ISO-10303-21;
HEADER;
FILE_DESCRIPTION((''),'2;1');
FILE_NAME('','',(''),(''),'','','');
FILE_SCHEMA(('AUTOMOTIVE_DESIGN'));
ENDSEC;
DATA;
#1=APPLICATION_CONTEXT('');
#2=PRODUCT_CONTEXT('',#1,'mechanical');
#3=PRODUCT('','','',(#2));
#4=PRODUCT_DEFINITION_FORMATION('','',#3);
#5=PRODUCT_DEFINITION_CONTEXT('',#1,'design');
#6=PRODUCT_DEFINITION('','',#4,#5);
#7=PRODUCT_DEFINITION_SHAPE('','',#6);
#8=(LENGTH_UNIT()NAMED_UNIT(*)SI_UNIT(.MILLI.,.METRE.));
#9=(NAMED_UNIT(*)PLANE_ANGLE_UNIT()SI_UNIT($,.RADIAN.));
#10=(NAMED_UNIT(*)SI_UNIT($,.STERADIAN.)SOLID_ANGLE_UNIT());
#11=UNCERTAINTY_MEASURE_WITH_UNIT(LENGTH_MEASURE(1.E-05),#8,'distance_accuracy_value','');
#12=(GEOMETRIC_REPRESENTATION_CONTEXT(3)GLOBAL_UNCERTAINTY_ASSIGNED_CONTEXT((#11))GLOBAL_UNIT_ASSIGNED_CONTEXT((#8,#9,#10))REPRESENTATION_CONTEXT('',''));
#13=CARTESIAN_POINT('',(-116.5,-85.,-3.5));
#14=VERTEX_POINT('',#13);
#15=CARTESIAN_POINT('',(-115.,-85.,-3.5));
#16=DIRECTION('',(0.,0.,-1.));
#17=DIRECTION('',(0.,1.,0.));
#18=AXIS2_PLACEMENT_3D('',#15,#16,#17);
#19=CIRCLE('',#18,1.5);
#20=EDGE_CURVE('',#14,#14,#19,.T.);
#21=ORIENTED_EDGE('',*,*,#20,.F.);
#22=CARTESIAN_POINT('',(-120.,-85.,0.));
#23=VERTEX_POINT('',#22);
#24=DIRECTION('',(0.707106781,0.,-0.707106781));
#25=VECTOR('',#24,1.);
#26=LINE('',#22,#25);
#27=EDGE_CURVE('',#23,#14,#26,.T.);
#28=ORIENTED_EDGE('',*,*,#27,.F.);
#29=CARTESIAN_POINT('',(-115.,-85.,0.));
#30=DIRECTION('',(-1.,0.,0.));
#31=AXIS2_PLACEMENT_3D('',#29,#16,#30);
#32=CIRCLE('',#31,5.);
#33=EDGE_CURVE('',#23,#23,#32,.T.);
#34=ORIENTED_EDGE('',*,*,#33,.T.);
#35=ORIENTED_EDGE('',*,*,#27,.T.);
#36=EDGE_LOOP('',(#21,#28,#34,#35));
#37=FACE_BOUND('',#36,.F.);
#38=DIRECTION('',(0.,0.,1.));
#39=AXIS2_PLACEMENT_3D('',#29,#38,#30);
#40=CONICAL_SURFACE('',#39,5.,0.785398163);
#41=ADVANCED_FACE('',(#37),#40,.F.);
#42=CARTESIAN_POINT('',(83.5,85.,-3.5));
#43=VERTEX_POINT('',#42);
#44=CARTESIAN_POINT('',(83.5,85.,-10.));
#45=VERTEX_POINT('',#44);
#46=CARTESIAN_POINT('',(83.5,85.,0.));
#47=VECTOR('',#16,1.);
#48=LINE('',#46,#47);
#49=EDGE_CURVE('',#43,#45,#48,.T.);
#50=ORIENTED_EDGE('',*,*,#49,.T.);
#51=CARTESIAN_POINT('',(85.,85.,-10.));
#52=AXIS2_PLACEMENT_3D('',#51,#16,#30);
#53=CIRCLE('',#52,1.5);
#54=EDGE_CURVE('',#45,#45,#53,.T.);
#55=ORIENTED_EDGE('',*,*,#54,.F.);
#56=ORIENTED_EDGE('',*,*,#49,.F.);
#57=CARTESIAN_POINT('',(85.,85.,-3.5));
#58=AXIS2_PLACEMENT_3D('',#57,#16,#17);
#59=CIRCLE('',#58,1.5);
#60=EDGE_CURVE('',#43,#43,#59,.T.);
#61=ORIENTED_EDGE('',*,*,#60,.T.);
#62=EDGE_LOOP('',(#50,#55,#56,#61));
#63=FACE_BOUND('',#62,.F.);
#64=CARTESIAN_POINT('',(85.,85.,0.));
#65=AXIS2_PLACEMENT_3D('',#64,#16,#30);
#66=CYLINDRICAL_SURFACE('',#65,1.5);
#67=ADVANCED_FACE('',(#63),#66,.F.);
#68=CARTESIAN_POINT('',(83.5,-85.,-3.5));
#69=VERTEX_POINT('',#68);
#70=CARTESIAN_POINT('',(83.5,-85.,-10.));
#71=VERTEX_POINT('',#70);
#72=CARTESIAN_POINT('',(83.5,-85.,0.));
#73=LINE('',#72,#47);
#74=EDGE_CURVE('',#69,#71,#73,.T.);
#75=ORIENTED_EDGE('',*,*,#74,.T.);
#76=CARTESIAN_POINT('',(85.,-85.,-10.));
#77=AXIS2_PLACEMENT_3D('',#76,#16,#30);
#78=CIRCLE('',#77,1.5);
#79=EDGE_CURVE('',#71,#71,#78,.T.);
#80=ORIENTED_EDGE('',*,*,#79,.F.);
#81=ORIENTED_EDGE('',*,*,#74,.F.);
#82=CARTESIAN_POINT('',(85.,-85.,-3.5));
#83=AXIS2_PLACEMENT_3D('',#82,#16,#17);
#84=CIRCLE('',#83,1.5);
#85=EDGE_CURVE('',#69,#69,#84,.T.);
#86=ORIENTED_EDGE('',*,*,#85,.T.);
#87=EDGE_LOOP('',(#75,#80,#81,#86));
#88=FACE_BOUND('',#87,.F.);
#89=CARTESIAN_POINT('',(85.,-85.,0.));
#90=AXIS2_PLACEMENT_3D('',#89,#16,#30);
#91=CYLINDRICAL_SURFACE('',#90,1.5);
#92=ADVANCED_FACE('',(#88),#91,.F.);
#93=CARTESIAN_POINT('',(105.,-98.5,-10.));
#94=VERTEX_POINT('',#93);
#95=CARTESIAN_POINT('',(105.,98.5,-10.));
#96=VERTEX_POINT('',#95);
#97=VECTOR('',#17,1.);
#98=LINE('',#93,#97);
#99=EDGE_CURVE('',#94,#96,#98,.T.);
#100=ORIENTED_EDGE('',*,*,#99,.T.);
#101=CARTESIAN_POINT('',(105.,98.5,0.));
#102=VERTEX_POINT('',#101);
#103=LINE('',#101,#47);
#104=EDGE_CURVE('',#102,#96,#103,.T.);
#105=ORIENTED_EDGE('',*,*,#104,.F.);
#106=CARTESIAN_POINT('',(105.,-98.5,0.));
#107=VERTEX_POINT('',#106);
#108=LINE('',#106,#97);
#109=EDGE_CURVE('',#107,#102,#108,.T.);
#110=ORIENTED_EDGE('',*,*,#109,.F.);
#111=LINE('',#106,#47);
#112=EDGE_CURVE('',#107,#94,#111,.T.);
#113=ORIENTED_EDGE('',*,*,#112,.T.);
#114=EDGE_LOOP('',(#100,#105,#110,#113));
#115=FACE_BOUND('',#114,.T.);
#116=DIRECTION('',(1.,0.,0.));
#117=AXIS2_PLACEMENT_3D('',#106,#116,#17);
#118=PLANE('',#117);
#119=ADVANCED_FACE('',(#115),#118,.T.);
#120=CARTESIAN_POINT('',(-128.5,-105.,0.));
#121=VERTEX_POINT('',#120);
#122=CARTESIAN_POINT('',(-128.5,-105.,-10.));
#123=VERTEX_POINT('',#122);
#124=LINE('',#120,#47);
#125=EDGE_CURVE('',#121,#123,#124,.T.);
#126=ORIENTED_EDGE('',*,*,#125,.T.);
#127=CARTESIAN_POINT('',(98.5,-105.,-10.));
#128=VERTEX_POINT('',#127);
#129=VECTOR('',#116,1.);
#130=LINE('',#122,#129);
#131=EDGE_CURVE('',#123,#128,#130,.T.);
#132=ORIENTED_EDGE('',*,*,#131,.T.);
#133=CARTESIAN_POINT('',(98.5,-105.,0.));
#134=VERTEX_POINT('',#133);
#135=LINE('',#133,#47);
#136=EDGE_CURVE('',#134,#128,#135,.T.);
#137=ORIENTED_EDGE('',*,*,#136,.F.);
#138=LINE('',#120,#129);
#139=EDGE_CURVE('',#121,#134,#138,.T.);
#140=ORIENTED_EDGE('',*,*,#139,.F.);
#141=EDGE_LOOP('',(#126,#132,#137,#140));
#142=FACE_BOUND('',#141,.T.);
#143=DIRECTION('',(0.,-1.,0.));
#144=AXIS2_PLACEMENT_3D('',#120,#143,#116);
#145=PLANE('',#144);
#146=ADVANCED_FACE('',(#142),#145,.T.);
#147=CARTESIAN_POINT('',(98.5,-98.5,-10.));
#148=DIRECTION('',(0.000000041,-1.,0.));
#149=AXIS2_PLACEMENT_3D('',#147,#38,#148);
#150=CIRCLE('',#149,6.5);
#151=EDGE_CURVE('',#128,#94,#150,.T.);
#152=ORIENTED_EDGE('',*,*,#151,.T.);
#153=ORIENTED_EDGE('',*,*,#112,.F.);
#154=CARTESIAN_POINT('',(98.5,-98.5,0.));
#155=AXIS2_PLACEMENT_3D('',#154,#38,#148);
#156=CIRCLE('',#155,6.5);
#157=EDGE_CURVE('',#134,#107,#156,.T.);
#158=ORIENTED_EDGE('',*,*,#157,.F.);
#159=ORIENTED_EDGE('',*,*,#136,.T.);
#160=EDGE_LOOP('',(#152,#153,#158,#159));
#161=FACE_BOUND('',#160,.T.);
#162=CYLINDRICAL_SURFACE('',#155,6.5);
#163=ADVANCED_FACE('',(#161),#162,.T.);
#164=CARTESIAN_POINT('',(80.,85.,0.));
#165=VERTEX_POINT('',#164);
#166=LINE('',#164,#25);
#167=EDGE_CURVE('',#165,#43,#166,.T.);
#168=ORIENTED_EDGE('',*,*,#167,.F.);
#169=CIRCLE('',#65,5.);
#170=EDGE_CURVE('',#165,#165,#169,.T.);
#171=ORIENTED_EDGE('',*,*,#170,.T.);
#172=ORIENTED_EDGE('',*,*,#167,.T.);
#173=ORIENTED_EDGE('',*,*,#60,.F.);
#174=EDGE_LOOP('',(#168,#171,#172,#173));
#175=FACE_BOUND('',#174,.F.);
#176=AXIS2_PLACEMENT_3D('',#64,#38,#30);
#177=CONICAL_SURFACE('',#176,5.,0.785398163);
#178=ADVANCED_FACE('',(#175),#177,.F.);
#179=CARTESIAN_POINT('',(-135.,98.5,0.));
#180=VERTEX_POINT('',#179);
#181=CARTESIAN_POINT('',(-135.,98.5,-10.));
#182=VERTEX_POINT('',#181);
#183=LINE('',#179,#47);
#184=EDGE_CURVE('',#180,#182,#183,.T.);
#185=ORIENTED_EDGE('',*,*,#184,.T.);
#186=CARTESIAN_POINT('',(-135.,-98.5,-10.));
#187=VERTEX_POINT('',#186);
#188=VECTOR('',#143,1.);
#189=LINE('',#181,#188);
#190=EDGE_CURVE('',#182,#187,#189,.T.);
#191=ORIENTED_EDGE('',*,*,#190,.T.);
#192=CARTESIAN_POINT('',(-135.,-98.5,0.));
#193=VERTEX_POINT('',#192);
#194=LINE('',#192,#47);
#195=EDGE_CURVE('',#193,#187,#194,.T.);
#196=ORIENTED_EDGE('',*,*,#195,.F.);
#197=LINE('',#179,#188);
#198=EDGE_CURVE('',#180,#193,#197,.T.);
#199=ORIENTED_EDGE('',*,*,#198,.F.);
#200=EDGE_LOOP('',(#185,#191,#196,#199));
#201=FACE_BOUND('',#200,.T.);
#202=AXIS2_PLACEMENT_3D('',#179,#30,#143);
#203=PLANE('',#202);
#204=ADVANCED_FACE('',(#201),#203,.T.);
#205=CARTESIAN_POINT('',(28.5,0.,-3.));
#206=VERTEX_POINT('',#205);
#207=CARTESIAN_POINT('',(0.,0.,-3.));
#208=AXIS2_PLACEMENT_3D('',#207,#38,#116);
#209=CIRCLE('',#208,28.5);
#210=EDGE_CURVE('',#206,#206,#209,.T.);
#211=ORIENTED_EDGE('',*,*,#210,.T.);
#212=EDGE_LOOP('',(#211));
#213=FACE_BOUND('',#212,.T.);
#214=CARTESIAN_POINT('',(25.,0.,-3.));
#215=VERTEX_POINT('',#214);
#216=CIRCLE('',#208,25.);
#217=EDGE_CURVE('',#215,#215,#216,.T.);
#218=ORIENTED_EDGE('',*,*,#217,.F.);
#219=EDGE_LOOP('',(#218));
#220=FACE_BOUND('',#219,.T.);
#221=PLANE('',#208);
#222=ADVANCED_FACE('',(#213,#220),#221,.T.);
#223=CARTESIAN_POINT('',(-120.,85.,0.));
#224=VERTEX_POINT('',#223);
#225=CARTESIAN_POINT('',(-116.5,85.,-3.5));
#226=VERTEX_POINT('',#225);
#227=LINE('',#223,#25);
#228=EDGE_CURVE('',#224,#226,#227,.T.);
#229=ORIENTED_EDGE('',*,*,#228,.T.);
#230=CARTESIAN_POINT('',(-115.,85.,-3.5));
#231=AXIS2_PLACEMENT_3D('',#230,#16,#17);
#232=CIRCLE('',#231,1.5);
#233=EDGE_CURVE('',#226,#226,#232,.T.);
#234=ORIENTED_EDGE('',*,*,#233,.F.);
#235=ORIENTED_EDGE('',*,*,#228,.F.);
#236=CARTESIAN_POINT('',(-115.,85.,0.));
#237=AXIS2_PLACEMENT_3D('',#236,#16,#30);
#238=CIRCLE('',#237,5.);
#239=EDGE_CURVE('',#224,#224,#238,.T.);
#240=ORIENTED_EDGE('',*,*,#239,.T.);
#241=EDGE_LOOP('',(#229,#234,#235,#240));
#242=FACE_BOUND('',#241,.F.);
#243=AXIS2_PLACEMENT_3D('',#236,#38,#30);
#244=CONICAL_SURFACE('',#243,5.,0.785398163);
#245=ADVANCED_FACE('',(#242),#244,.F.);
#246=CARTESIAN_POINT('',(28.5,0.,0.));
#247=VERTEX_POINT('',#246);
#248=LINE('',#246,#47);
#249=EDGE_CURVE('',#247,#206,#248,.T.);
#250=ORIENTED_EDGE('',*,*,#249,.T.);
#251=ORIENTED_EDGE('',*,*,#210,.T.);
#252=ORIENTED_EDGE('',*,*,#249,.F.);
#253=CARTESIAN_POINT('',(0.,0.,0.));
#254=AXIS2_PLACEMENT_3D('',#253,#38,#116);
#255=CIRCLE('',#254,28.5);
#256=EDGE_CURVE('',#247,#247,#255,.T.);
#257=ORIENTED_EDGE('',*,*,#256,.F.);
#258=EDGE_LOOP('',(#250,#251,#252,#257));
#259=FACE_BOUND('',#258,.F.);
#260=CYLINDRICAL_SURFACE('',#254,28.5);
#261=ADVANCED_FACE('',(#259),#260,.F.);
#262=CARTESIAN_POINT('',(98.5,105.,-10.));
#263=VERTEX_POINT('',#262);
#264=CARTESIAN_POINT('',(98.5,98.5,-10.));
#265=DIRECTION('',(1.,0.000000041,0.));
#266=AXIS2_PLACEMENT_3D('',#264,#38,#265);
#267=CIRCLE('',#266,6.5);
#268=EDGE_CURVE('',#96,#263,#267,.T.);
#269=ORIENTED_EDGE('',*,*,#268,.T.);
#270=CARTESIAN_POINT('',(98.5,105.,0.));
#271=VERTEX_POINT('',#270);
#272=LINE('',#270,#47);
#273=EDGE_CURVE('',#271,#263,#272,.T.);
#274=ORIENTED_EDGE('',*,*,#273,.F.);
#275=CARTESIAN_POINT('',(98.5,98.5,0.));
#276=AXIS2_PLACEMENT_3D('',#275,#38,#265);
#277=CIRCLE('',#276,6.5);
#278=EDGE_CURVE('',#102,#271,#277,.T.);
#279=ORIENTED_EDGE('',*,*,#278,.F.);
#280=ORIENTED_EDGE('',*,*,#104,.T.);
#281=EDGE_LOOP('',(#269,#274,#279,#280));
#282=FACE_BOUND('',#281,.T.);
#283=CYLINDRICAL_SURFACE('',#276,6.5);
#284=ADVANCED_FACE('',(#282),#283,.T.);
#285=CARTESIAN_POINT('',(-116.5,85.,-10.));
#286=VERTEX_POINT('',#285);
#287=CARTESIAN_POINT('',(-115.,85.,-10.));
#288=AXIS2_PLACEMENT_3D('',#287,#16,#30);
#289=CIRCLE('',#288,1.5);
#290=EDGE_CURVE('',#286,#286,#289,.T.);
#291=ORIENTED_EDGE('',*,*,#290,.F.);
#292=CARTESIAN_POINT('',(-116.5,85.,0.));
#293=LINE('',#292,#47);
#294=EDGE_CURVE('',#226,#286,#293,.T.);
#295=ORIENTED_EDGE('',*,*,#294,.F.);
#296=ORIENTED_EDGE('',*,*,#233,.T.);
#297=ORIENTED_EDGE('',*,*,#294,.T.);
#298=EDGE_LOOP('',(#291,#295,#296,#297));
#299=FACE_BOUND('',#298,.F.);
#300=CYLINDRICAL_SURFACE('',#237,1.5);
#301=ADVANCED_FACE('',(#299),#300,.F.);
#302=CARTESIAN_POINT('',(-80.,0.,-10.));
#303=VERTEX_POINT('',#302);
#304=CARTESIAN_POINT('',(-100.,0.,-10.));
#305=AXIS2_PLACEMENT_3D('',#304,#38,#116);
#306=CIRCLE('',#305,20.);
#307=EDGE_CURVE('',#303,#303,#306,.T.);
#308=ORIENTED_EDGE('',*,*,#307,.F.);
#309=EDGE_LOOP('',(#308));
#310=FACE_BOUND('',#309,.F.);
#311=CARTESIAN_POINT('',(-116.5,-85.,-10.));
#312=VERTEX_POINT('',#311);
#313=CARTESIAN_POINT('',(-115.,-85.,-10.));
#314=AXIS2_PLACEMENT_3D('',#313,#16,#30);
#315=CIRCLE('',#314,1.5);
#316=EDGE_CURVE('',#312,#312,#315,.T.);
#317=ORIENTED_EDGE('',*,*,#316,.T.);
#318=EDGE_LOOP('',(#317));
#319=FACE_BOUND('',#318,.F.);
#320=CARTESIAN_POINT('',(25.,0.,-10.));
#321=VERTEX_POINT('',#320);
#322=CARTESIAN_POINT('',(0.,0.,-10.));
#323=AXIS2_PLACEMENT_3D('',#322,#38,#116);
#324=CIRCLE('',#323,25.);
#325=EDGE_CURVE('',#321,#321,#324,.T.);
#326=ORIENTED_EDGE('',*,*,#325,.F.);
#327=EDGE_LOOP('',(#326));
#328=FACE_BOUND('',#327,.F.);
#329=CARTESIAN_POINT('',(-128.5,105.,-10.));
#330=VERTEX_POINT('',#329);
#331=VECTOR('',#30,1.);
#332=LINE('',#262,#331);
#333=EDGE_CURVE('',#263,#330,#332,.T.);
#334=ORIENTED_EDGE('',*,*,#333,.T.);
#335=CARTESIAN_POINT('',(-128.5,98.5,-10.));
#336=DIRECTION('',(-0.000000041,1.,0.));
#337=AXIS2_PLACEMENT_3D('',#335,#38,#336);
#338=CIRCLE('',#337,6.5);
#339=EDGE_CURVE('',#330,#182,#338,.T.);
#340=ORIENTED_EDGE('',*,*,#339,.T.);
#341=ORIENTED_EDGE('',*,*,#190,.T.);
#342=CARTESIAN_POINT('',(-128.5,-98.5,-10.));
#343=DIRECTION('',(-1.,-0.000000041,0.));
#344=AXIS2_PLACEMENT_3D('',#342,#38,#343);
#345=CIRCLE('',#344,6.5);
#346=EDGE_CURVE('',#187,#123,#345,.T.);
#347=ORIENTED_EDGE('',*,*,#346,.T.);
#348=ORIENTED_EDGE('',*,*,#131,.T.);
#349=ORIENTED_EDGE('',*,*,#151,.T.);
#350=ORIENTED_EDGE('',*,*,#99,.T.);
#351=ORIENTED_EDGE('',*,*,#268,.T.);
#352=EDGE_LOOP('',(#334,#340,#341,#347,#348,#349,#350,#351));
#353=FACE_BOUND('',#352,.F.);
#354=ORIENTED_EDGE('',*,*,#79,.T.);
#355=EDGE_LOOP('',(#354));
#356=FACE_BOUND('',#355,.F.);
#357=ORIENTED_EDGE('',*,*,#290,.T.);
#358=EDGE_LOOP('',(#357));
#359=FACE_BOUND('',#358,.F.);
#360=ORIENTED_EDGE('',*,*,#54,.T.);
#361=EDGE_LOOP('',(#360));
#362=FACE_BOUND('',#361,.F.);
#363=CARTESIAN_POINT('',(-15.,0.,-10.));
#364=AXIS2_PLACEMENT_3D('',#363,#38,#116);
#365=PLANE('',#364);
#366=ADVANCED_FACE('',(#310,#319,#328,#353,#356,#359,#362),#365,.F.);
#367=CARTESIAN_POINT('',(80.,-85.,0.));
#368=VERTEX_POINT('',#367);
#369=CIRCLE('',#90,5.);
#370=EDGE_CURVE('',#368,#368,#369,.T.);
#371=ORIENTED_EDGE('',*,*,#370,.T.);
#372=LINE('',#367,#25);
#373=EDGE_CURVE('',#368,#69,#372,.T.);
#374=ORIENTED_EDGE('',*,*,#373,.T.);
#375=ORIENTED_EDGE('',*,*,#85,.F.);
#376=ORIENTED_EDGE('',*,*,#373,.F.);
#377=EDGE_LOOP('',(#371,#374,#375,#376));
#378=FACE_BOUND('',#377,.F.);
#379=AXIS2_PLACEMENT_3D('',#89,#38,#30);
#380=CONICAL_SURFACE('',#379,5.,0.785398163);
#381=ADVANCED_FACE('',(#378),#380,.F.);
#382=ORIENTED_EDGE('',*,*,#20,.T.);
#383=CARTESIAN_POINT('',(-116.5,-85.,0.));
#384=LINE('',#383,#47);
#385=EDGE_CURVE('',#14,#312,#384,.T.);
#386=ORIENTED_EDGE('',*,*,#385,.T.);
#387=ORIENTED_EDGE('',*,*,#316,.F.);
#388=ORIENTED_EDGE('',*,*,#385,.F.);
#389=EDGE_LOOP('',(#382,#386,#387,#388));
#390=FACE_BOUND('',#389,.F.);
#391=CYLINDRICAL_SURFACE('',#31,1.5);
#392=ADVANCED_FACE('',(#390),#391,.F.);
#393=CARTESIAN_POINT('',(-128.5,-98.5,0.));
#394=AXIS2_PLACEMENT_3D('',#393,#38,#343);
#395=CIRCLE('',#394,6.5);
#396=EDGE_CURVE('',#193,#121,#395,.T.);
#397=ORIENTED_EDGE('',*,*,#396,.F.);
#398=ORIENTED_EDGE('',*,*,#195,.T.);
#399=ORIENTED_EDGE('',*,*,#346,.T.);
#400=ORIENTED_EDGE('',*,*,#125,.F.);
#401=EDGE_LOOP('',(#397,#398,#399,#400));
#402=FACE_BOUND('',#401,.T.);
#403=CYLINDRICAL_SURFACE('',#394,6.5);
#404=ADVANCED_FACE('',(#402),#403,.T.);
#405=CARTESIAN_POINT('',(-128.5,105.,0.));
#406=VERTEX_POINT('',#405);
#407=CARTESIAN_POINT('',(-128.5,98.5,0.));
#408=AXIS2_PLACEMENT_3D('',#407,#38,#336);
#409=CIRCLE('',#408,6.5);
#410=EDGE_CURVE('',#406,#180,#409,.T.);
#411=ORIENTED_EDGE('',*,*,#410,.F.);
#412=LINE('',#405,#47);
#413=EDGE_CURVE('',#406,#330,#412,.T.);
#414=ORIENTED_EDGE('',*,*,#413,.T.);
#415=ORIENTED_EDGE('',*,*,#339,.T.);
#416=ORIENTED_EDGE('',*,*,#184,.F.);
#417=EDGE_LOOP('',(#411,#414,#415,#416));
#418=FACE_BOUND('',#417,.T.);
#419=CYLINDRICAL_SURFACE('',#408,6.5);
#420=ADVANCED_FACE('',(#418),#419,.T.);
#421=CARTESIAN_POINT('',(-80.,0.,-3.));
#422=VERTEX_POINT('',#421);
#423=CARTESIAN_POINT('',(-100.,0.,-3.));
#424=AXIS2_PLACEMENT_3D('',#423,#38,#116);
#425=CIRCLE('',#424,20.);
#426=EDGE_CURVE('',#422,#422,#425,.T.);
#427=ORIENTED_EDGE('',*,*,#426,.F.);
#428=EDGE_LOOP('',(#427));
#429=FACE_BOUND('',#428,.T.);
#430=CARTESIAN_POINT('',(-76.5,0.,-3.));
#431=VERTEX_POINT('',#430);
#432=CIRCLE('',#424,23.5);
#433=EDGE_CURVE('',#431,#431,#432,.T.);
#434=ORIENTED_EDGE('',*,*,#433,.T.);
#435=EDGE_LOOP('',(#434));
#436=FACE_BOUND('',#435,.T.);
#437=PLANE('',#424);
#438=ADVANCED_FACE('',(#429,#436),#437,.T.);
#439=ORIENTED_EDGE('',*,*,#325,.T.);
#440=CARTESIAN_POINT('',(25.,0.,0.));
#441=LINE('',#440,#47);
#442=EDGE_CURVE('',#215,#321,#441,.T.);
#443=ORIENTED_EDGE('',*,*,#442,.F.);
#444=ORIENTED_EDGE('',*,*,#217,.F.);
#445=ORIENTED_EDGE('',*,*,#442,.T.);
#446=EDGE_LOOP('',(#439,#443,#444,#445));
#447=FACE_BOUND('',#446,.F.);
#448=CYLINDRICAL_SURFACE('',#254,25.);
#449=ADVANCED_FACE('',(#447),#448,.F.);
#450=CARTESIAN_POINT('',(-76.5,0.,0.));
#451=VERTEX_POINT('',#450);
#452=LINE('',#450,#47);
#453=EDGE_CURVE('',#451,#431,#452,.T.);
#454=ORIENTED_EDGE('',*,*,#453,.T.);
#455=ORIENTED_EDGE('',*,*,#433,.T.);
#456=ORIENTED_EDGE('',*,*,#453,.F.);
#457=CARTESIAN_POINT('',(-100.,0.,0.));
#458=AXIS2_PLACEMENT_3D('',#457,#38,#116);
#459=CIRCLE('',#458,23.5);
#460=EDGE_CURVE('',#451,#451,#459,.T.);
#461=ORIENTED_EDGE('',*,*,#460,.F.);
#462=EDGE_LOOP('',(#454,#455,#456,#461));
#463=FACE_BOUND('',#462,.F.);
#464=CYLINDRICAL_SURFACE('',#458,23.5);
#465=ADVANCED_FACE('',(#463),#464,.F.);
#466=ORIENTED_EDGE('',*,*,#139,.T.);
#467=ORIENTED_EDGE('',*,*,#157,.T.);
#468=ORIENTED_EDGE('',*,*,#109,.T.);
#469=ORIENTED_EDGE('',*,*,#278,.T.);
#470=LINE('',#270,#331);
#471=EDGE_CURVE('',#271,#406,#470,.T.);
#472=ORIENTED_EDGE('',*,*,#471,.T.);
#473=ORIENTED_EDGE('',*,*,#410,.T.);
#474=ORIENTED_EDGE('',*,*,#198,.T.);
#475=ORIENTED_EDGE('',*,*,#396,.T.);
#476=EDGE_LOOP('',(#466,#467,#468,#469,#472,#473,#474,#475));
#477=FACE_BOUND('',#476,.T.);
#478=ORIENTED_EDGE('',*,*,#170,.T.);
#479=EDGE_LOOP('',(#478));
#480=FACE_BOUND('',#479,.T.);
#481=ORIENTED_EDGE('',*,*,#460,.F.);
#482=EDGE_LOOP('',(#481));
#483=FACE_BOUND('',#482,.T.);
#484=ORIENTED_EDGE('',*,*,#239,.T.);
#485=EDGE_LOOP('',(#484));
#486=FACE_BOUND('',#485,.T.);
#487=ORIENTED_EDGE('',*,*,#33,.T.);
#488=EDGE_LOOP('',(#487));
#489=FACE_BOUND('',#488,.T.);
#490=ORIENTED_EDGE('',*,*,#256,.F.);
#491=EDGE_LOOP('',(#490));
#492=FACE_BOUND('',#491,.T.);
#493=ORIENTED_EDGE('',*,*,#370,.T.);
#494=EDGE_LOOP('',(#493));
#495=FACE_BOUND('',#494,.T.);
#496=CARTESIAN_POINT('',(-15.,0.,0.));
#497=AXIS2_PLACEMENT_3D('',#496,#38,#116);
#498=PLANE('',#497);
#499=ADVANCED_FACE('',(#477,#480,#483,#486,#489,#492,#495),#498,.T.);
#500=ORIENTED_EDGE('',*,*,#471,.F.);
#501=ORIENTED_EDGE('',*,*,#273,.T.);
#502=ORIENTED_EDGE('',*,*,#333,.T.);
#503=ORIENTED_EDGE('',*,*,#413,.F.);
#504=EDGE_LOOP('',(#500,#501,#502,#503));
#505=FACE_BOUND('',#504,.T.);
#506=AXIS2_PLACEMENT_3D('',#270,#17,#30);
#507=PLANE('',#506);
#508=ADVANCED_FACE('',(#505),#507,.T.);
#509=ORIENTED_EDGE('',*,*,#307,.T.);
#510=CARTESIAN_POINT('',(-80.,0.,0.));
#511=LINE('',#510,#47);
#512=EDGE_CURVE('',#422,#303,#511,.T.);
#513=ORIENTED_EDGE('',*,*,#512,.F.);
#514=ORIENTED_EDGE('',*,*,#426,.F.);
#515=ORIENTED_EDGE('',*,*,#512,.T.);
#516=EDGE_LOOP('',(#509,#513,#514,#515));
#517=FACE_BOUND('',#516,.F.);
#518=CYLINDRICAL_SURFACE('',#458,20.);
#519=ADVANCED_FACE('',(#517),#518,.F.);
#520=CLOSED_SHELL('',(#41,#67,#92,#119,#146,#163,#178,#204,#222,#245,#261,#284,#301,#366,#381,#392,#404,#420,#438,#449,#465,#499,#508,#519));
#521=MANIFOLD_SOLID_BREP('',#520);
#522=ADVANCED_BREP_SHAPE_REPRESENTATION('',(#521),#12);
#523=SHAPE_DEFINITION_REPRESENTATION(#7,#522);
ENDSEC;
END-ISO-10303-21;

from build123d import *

# Parameters (mm, degrees)
F0_R           = 20
F0_R_2         = 25
F1_DEPTH       = 10
F2_R           = 23.5
F2_R_2         = 20
F2_R_3         = 28.5
F2_R_4         = 25
F3_DEPTH       = 3
F4_D           = 3
F4_CSINK_D     = 10
F4_CSINK_ANGLE = 90


with BuildPart() as f1:
    # F0 (on Top) → F1 (new body)
    with BuildSketch(Plane.XY):
        with BuildLine():
            Line((98.5, 105), (-128.5, 105))
            ThreePointArc((-128.5, 105), (-133.096194, 103.096194), (-135, 98.5))
            Line((-135, 98.5), (-135, -98.5))
            ThreePointArc((-135, -98.5), (-133.096194, -103.096194), (-128.5, -105))
            Line((-128.5, -105), (98.5, -105))
            ThreePointArc((98.5, -105), (103.096194, -103.096194), (105, -98.5))
            Line((105, -98.5), (105, 98.5))
            ThreePointArc((105, 98.5), (103.096194, 103.096194), (98.5, 105))
        make_face()
        with Locations((-100, 0)):
            Circle(F0_R, mode=Mode.SUBTRACT)
        Circle(F0_R_2, mode=Mode.SUBTRACT)
    extrude(amount=-F1_DEPTH)

    # F2 (on face) → F3 (cut)
    with BuildSketch(Plane.XY):
        with Locations((-100, 0)):
            Circle(F2_R)
        with Locations((-100, 0)):
            Circle(F2_R_2, mode=Mode.SUBTRACT)
        Circle(F2_R_3)
        Circle(F2_R_4, mode=Mode.SUBTRACT)
    extrude(amount=-F3_DEPTH, mode=Mode.SUBTRACT)

    # F4 (through all)
    with Locations(Plane.XY):
        with Locations((-115, 85), (85, 85), (85, -85), (-115, -85)):
            CounterSinkHole(F4_D / 2, F4_CSINK_D / 2, counter_sink_angle=F4_CSINK_ANGLE)


solid = f1.part
